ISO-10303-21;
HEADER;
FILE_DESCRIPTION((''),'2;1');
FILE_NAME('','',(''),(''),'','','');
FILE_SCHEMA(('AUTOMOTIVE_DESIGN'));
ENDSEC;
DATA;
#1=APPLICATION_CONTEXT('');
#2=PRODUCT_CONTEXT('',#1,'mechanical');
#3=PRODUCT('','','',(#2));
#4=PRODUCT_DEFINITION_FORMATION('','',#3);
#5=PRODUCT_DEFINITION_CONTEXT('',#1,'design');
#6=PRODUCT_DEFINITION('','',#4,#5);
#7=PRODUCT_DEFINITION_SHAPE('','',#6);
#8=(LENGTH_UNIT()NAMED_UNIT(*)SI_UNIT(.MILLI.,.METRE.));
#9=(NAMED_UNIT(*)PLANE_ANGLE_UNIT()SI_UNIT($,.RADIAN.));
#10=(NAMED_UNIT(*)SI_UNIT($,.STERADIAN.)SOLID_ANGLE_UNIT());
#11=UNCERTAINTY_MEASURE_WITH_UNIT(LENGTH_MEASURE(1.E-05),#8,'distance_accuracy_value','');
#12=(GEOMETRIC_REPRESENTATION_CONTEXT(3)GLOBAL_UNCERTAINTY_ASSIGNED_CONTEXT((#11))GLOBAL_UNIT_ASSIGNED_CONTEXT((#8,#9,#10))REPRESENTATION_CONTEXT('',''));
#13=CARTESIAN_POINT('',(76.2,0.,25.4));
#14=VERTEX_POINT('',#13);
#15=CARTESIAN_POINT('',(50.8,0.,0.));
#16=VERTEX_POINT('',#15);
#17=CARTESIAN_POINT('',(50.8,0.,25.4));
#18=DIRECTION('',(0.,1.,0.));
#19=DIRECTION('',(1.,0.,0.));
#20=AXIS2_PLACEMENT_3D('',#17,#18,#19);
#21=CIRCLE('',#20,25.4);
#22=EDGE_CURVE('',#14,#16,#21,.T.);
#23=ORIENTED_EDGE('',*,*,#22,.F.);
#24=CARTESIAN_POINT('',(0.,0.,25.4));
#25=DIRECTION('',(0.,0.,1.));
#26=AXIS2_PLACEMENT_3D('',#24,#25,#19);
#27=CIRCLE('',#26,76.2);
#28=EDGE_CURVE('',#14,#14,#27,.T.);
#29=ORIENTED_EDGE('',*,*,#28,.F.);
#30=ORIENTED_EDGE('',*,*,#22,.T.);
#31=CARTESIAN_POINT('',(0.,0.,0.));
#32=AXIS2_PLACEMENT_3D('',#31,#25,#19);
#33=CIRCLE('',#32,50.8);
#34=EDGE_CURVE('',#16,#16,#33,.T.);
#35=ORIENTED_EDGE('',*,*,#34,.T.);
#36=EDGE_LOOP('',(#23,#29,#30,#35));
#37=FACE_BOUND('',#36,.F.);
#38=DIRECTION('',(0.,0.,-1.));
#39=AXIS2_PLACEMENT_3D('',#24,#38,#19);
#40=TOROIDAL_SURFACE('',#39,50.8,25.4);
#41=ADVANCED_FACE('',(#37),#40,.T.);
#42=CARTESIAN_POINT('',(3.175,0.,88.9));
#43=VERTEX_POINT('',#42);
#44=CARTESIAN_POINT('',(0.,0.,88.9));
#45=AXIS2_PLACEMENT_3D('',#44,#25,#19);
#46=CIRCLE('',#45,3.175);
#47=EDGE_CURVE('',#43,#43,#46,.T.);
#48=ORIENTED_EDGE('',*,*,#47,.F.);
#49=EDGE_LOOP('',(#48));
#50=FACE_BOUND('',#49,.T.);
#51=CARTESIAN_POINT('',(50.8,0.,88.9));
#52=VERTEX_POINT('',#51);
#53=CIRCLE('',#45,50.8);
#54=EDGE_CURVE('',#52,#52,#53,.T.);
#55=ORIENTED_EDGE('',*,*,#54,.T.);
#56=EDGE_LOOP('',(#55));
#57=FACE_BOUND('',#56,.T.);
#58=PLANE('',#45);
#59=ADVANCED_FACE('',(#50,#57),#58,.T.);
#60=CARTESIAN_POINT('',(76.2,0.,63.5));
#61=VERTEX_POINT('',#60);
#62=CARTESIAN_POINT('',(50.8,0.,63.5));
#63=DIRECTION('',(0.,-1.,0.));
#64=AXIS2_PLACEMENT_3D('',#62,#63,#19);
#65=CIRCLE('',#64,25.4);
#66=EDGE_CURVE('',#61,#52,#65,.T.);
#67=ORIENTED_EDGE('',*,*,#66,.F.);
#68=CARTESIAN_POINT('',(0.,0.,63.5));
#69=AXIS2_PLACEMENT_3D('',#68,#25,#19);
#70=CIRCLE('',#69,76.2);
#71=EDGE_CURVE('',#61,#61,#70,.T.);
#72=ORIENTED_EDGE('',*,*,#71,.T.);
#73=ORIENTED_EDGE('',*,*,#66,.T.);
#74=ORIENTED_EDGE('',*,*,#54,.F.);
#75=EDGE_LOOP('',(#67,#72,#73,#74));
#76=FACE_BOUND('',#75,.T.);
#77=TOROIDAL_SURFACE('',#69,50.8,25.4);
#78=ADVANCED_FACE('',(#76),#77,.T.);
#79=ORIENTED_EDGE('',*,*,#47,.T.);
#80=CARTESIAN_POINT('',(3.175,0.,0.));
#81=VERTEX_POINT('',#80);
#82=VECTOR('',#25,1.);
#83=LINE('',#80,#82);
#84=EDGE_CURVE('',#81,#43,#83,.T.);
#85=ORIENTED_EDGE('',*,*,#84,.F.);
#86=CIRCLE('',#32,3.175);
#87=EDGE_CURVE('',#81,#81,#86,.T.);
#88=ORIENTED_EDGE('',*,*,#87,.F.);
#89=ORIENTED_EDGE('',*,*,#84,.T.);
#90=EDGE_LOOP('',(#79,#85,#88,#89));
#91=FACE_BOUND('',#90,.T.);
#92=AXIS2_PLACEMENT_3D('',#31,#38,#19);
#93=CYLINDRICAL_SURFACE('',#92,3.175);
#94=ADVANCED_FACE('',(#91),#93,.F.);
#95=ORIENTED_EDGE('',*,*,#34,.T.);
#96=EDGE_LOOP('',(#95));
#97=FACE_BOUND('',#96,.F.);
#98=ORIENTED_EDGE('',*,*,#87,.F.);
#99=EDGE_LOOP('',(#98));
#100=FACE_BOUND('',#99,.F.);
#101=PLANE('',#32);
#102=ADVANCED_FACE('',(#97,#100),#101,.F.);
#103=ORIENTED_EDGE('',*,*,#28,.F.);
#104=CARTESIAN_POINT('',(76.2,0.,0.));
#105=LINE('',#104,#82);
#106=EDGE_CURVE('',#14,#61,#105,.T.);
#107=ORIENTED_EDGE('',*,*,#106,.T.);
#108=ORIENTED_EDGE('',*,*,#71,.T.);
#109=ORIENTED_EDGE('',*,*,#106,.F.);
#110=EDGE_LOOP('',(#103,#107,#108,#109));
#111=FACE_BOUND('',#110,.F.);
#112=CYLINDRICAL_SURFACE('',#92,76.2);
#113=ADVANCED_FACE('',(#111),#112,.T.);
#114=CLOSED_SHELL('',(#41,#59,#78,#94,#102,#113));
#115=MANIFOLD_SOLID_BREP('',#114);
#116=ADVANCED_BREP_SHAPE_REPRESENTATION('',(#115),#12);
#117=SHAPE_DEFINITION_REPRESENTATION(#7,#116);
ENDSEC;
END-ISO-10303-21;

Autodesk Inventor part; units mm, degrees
ref_plane "YZ Plane" through (0, 0, 0) normal (1, 0, 0) x (0, 1, 0)
ref_plane "XZ Plane" through (0, 0, 0) normal (0, 1, 0) x (-1, 0, 0)
ref_plane "XY Plane" through (0, 0, 0) normal (0, 0, 1) x (1, 0, 0)
sketch "Sketch2" plane through (0, 0, 0) normal (0, 0, 1) x (1, 0, 0)
  circle A0 centre (0, 0) radius 76.2
  circle A1 centre (0, 0) radius 3.175
  dimension "d0" = 152.4
  dimension "d1" = 6.35
extrude "Extrusion1" add sketch "Sketch2" along normal blind 88.9
fillet "Fillet1" radius 25.4 2 edges at (-76.2, 0, 88.9) (-76.2, 0, 0)
properties part number "flyWheel"
